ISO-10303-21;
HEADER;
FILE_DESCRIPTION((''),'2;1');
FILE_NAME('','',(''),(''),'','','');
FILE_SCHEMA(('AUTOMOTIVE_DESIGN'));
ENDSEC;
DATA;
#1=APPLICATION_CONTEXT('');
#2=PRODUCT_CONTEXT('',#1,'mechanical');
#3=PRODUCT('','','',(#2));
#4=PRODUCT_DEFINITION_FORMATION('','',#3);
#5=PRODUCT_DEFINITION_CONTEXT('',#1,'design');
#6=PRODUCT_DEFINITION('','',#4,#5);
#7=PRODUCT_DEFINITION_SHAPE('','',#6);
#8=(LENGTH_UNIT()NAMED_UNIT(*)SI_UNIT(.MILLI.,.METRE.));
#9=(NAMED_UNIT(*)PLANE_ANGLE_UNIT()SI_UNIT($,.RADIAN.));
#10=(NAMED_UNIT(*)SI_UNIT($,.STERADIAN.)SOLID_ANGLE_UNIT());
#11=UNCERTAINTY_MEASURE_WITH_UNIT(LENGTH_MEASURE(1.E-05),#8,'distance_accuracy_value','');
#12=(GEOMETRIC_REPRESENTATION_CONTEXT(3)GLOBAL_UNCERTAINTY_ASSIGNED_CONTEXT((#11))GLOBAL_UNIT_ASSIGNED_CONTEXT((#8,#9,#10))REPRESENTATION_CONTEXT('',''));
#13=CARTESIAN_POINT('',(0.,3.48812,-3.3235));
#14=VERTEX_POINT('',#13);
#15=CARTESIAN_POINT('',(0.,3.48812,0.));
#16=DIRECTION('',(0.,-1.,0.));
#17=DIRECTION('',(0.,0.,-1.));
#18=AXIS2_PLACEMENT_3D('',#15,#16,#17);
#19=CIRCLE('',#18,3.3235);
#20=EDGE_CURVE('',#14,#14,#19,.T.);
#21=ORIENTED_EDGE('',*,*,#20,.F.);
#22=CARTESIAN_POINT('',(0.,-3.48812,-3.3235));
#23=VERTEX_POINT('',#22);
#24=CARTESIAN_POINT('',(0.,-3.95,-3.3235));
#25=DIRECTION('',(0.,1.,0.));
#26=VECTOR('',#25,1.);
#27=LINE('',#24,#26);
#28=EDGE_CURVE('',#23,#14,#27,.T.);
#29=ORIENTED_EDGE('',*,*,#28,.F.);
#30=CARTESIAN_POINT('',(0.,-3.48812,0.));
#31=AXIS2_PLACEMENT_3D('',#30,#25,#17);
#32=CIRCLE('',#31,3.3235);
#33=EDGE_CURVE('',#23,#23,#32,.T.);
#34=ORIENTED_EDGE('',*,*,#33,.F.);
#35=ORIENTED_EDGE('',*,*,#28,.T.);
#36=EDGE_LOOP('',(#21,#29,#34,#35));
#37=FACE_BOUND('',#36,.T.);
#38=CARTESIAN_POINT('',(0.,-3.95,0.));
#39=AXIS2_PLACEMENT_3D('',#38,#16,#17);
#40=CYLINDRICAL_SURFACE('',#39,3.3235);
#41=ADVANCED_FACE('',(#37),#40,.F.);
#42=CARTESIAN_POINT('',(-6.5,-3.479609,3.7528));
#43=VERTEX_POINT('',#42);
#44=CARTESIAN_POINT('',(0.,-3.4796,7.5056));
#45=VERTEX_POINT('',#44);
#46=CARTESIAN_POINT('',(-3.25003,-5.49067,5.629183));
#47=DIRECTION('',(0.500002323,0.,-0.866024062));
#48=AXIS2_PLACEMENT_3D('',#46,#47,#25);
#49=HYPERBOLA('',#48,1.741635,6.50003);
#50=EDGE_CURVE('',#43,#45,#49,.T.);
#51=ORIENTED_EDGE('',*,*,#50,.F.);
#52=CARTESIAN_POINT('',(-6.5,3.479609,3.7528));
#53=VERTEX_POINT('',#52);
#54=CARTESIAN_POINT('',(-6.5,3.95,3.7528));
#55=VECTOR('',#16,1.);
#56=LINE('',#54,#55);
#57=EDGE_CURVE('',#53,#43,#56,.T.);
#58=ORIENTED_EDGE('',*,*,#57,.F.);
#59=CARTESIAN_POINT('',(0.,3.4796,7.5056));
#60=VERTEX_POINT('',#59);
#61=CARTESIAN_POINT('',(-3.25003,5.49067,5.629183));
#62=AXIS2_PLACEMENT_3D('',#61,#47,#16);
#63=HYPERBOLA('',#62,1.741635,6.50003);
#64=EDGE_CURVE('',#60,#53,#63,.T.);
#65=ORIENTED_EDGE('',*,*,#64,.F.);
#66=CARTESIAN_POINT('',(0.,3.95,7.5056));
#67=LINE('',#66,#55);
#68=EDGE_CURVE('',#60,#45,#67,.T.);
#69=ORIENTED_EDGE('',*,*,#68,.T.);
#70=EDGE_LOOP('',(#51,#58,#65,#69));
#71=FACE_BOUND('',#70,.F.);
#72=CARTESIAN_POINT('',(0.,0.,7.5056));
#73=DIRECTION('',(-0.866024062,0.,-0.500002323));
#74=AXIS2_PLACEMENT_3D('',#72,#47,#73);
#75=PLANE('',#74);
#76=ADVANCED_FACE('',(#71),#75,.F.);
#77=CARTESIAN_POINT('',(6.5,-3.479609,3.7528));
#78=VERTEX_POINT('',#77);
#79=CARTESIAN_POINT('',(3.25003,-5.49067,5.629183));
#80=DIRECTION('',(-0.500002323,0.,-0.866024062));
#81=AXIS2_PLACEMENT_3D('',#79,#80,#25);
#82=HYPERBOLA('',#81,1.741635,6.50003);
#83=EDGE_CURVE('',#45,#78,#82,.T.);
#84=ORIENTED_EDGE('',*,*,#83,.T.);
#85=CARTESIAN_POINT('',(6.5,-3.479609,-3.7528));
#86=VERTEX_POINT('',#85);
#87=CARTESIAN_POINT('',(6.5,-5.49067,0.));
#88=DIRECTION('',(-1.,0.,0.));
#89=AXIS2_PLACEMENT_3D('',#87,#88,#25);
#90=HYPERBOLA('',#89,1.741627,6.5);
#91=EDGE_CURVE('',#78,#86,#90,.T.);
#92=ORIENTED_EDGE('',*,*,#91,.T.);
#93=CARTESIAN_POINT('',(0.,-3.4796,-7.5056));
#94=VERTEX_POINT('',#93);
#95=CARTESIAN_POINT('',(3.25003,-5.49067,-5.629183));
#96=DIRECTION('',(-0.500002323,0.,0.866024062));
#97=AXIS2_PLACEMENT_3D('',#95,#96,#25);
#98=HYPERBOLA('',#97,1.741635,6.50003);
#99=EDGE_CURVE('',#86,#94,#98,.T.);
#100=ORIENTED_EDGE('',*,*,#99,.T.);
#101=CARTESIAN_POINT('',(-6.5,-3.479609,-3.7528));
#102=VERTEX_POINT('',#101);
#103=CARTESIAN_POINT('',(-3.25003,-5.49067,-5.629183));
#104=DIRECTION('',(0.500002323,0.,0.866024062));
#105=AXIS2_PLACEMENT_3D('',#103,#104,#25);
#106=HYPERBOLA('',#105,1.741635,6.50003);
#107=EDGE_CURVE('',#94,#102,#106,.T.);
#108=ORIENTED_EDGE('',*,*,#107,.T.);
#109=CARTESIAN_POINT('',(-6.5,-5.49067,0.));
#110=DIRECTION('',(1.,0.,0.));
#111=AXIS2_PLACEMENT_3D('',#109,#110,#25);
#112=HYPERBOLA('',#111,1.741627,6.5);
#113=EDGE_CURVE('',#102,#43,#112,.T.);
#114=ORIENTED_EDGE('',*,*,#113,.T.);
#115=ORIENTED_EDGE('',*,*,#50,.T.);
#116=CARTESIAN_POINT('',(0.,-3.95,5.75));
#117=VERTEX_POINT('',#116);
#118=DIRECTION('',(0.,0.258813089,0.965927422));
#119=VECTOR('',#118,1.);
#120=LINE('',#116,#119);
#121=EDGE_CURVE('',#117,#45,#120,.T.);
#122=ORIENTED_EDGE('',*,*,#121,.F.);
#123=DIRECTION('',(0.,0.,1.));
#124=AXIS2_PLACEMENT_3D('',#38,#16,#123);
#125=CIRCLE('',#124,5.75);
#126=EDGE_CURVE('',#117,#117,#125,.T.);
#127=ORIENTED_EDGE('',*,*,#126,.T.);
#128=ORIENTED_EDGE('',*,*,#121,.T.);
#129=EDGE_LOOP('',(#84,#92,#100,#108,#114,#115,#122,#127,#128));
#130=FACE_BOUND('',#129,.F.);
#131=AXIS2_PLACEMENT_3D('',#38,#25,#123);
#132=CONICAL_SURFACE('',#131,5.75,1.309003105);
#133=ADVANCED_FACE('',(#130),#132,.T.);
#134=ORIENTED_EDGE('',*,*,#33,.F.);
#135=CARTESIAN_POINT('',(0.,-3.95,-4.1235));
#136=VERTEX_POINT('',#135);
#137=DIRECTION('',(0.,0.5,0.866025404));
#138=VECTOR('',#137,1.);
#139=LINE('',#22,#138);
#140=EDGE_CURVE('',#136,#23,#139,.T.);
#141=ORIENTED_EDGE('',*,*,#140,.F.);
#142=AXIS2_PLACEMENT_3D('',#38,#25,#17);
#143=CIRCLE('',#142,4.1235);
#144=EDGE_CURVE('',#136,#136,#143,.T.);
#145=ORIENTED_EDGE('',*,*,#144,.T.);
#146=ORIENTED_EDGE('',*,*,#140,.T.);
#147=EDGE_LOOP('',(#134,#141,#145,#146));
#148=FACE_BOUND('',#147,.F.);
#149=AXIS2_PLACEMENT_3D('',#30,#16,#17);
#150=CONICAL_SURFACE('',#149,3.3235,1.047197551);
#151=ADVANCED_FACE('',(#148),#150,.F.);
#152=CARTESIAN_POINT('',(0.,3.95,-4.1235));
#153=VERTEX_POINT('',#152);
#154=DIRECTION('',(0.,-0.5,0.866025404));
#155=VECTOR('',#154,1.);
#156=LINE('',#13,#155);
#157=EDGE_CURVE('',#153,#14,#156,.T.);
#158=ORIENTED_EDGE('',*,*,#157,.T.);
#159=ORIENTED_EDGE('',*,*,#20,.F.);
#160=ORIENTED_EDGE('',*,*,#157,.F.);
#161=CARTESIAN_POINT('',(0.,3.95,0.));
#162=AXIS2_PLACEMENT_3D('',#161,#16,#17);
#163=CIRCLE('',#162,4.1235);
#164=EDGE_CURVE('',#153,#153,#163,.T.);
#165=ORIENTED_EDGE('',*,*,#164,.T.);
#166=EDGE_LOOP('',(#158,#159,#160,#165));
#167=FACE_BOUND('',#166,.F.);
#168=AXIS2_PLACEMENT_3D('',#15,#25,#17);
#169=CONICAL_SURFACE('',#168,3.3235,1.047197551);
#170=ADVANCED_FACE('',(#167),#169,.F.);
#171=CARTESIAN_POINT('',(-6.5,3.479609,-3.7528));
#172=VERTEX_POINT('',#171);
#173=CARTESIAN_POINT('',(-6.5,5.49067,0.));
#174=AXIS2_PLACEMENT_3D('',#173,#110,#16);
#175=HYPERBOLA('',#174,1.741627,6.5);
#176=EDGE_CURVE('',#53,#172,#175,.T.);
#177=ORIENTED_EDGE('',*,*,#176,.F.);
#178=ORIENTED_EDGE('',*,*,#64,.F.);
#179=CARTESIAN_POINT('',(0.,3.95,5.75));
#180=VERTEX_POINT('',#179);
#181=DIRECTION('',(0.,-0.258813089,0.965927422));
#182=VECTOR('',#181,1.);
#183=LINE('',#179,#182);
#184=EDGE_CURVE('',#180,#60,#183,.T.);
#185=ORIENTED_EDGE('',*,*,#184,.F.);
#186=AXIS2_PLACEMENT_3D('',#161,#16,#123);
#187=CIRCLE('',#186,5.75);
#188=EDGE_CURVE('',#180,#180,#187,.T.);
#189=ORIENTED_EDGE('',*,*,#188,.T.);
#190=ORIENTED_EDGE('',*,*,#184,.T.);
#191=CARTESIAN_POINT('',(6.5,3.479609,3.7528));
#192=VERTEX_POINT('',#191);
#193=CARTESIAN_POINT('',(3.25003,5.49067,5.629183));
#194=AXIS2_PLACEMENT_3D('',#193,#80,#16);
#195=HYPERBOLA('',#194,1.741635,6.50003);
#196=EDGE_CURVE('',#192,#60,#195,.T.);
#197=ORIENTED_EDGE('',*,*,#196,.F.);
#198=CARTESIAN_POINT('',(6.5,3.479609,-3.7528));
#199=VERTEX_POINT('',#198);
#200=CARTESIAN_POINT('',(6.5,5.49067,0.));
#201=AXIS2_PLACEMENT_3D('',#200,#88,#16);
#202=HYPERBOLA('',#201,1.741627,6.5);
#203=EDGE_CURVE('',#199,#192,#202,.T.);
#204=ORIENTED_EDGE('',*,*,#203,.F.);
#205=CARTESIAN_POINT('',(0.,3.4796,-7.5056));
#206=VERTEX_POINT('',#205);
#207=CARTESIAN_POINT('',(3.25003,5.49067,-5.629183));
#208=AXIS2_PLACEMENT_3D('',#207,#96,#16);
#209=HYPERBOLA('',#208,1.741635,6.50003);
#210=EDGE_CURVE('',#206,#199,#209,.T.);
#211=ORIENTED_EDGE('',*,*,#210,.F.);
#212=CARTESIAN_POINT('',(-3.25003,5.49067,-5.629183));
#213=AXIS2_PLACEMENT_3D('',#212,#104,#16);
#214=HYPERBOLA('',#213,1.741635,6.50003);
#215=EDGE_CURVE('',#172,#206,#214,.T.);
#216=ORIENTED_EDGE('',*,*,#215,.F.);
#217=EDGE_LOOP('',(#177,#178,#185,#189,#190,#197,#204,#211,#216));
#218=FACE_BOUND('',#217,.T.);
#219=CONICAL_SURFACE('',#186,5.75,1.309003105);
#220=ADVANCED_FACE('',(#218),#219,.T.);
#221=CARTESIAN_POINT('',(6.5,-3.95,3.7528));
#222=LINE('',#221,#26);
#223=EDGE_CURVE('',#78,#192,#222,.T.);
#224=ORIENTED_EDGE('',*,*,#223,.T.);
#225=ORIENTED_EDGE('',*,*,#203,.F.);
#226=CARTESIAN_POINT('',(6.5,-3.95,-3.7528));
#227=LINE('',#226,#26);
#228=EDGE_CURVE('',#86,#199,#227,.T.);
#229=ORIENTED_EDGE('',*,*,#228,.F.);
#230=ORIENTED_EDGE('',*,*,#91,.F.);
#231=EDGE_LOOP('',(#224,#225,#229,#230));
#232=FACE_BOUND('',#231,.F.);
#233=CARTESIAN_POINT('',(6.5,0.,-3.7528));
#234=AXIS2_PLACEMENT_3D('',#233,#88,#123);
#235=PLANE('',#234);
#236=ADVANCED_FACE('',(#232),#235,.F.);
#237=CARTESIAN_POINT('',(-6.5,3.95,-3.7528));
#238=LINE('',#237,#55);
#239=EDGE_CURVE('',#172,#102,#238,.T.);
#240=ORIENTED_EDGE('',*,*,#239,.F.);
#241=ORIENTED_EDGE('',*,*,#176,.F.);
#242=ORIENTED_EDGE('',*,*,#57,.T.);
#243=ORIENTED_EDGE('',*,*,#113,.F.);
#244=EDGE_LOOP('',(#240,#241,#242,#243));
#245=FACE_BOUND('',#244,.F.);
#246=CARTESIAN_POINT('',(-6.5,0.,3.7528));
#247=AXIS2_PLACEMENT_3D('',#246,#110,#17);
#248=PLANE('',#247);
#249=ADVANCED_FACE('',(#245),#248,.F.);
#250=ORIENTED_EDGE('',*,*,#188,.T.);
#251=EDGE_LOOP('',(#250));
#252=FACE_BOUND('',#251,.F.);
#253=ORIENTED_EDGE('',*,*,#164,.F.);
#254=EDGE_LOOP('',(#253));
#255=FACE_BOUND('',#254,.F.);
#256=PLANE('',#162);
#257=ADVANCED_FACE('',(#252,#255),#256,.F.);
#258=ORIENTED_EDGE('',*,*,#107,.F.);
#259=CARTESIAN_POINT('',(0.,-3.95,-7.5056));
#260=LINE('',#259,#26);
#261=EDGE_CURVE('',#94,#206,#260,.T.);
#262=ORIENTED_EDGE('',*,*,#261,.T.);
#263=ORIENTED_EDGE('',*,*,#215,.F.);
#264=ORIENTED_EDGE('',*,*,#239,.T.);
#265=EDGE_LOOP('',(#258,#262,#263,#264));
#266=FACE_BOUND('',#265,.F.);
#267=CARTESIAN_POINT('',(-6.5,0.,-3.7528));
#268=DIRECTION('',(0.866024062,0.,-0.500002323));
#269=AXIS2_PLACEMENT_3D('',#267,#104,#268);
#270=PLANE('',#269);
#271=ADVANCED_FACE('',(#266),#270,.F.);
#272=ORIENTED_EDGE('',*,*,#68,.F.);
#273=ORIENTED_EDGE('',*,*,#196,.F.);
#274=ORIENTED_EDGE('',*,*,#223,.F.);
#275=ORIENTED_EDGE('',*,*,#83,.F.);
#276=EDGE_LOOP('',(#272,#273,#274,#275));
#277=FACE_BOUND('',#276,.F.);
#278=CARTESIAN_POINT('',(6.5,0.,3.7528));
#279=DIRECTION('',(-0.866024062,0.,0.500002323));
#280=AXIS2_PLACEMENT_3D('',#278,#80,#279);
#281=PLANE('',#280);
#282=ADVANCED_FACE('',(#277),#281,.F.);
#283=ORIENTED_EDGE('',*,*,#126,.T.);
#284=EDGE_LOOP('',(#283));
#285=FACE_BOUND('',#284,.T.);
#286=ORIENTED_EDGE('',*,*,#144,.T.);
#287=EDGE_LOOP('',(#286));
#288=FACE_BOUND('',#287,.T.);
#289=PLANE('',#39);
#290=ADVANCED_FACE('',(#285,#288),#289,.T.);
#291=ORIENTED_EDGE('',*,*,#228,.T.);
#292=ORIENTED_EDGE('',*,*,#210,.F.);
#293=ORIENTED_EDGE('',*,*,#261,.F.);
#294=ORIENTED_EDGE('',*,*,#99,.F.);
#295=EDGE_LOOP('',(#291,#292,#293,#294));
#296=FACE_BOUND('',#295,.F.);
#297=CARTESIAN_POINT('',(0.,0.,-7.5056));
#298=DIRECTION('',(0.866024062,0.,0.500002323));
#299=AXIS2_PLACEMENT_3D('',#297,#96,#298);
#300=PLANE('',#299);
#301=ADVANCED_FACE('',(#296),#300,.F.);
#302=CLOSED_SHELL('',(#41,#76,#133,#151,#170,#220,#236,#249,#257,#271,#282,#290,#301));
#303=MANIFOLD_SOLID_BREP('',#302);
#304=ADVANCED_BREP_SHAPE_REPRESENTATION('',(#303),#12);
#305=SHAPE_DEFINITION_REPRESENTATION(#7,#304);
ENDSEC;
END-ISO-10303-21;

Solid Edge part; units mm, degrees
sketch "Sketch1" plane through (0, 0, 0) normal (0, -1, 0) x (1, 0, 0)
  line L0 (6.5, 3.7528) -> (0, 7.5056)
  line L1 (0, 7.5056) -> (-6.5, 3.7528)
  line L2 (-6.5, 3.7528) -> (-6.5, -3.7528)
  line L3 (-6.5, -3.7528) -> (0, -7.5056)
  line L4 (0, -7.5056) -> (6.5, -3.7528)
  line L5 (6.5, -3.7528) -> (6.5, 3.7528)
extrude "Protrusion1" add sketch "Sketch1" along normal mid plane 7.9
sketch "Sketch2" plane through (0, 0, 0) normal (1, 0, 0) x (0, 1, 0)
  line L0 (-3.95, 5.75) -> (-3.4796, 7.5056)
revolve "RevolvedCutout1" cut sketch "Sketch2" angle 360 about axis through (0, 0, 0) along (0, -1, 0) material side at (0, -3.7631, 6.6407)
mirror "Mirror1" about plane through (0, 0, 0) normal (0, -1, 0) of "RevolvedCutout1"
hole "孔_7" at (0, -3.95, 0) direction (0, 1, 0) diameter 6.647 end up to next start chamfer 0.8 start chamfer angle 60 end chamfer 0.8 end chamfer angle 60
properties part number "N2611-0312" material "铝 1060"
